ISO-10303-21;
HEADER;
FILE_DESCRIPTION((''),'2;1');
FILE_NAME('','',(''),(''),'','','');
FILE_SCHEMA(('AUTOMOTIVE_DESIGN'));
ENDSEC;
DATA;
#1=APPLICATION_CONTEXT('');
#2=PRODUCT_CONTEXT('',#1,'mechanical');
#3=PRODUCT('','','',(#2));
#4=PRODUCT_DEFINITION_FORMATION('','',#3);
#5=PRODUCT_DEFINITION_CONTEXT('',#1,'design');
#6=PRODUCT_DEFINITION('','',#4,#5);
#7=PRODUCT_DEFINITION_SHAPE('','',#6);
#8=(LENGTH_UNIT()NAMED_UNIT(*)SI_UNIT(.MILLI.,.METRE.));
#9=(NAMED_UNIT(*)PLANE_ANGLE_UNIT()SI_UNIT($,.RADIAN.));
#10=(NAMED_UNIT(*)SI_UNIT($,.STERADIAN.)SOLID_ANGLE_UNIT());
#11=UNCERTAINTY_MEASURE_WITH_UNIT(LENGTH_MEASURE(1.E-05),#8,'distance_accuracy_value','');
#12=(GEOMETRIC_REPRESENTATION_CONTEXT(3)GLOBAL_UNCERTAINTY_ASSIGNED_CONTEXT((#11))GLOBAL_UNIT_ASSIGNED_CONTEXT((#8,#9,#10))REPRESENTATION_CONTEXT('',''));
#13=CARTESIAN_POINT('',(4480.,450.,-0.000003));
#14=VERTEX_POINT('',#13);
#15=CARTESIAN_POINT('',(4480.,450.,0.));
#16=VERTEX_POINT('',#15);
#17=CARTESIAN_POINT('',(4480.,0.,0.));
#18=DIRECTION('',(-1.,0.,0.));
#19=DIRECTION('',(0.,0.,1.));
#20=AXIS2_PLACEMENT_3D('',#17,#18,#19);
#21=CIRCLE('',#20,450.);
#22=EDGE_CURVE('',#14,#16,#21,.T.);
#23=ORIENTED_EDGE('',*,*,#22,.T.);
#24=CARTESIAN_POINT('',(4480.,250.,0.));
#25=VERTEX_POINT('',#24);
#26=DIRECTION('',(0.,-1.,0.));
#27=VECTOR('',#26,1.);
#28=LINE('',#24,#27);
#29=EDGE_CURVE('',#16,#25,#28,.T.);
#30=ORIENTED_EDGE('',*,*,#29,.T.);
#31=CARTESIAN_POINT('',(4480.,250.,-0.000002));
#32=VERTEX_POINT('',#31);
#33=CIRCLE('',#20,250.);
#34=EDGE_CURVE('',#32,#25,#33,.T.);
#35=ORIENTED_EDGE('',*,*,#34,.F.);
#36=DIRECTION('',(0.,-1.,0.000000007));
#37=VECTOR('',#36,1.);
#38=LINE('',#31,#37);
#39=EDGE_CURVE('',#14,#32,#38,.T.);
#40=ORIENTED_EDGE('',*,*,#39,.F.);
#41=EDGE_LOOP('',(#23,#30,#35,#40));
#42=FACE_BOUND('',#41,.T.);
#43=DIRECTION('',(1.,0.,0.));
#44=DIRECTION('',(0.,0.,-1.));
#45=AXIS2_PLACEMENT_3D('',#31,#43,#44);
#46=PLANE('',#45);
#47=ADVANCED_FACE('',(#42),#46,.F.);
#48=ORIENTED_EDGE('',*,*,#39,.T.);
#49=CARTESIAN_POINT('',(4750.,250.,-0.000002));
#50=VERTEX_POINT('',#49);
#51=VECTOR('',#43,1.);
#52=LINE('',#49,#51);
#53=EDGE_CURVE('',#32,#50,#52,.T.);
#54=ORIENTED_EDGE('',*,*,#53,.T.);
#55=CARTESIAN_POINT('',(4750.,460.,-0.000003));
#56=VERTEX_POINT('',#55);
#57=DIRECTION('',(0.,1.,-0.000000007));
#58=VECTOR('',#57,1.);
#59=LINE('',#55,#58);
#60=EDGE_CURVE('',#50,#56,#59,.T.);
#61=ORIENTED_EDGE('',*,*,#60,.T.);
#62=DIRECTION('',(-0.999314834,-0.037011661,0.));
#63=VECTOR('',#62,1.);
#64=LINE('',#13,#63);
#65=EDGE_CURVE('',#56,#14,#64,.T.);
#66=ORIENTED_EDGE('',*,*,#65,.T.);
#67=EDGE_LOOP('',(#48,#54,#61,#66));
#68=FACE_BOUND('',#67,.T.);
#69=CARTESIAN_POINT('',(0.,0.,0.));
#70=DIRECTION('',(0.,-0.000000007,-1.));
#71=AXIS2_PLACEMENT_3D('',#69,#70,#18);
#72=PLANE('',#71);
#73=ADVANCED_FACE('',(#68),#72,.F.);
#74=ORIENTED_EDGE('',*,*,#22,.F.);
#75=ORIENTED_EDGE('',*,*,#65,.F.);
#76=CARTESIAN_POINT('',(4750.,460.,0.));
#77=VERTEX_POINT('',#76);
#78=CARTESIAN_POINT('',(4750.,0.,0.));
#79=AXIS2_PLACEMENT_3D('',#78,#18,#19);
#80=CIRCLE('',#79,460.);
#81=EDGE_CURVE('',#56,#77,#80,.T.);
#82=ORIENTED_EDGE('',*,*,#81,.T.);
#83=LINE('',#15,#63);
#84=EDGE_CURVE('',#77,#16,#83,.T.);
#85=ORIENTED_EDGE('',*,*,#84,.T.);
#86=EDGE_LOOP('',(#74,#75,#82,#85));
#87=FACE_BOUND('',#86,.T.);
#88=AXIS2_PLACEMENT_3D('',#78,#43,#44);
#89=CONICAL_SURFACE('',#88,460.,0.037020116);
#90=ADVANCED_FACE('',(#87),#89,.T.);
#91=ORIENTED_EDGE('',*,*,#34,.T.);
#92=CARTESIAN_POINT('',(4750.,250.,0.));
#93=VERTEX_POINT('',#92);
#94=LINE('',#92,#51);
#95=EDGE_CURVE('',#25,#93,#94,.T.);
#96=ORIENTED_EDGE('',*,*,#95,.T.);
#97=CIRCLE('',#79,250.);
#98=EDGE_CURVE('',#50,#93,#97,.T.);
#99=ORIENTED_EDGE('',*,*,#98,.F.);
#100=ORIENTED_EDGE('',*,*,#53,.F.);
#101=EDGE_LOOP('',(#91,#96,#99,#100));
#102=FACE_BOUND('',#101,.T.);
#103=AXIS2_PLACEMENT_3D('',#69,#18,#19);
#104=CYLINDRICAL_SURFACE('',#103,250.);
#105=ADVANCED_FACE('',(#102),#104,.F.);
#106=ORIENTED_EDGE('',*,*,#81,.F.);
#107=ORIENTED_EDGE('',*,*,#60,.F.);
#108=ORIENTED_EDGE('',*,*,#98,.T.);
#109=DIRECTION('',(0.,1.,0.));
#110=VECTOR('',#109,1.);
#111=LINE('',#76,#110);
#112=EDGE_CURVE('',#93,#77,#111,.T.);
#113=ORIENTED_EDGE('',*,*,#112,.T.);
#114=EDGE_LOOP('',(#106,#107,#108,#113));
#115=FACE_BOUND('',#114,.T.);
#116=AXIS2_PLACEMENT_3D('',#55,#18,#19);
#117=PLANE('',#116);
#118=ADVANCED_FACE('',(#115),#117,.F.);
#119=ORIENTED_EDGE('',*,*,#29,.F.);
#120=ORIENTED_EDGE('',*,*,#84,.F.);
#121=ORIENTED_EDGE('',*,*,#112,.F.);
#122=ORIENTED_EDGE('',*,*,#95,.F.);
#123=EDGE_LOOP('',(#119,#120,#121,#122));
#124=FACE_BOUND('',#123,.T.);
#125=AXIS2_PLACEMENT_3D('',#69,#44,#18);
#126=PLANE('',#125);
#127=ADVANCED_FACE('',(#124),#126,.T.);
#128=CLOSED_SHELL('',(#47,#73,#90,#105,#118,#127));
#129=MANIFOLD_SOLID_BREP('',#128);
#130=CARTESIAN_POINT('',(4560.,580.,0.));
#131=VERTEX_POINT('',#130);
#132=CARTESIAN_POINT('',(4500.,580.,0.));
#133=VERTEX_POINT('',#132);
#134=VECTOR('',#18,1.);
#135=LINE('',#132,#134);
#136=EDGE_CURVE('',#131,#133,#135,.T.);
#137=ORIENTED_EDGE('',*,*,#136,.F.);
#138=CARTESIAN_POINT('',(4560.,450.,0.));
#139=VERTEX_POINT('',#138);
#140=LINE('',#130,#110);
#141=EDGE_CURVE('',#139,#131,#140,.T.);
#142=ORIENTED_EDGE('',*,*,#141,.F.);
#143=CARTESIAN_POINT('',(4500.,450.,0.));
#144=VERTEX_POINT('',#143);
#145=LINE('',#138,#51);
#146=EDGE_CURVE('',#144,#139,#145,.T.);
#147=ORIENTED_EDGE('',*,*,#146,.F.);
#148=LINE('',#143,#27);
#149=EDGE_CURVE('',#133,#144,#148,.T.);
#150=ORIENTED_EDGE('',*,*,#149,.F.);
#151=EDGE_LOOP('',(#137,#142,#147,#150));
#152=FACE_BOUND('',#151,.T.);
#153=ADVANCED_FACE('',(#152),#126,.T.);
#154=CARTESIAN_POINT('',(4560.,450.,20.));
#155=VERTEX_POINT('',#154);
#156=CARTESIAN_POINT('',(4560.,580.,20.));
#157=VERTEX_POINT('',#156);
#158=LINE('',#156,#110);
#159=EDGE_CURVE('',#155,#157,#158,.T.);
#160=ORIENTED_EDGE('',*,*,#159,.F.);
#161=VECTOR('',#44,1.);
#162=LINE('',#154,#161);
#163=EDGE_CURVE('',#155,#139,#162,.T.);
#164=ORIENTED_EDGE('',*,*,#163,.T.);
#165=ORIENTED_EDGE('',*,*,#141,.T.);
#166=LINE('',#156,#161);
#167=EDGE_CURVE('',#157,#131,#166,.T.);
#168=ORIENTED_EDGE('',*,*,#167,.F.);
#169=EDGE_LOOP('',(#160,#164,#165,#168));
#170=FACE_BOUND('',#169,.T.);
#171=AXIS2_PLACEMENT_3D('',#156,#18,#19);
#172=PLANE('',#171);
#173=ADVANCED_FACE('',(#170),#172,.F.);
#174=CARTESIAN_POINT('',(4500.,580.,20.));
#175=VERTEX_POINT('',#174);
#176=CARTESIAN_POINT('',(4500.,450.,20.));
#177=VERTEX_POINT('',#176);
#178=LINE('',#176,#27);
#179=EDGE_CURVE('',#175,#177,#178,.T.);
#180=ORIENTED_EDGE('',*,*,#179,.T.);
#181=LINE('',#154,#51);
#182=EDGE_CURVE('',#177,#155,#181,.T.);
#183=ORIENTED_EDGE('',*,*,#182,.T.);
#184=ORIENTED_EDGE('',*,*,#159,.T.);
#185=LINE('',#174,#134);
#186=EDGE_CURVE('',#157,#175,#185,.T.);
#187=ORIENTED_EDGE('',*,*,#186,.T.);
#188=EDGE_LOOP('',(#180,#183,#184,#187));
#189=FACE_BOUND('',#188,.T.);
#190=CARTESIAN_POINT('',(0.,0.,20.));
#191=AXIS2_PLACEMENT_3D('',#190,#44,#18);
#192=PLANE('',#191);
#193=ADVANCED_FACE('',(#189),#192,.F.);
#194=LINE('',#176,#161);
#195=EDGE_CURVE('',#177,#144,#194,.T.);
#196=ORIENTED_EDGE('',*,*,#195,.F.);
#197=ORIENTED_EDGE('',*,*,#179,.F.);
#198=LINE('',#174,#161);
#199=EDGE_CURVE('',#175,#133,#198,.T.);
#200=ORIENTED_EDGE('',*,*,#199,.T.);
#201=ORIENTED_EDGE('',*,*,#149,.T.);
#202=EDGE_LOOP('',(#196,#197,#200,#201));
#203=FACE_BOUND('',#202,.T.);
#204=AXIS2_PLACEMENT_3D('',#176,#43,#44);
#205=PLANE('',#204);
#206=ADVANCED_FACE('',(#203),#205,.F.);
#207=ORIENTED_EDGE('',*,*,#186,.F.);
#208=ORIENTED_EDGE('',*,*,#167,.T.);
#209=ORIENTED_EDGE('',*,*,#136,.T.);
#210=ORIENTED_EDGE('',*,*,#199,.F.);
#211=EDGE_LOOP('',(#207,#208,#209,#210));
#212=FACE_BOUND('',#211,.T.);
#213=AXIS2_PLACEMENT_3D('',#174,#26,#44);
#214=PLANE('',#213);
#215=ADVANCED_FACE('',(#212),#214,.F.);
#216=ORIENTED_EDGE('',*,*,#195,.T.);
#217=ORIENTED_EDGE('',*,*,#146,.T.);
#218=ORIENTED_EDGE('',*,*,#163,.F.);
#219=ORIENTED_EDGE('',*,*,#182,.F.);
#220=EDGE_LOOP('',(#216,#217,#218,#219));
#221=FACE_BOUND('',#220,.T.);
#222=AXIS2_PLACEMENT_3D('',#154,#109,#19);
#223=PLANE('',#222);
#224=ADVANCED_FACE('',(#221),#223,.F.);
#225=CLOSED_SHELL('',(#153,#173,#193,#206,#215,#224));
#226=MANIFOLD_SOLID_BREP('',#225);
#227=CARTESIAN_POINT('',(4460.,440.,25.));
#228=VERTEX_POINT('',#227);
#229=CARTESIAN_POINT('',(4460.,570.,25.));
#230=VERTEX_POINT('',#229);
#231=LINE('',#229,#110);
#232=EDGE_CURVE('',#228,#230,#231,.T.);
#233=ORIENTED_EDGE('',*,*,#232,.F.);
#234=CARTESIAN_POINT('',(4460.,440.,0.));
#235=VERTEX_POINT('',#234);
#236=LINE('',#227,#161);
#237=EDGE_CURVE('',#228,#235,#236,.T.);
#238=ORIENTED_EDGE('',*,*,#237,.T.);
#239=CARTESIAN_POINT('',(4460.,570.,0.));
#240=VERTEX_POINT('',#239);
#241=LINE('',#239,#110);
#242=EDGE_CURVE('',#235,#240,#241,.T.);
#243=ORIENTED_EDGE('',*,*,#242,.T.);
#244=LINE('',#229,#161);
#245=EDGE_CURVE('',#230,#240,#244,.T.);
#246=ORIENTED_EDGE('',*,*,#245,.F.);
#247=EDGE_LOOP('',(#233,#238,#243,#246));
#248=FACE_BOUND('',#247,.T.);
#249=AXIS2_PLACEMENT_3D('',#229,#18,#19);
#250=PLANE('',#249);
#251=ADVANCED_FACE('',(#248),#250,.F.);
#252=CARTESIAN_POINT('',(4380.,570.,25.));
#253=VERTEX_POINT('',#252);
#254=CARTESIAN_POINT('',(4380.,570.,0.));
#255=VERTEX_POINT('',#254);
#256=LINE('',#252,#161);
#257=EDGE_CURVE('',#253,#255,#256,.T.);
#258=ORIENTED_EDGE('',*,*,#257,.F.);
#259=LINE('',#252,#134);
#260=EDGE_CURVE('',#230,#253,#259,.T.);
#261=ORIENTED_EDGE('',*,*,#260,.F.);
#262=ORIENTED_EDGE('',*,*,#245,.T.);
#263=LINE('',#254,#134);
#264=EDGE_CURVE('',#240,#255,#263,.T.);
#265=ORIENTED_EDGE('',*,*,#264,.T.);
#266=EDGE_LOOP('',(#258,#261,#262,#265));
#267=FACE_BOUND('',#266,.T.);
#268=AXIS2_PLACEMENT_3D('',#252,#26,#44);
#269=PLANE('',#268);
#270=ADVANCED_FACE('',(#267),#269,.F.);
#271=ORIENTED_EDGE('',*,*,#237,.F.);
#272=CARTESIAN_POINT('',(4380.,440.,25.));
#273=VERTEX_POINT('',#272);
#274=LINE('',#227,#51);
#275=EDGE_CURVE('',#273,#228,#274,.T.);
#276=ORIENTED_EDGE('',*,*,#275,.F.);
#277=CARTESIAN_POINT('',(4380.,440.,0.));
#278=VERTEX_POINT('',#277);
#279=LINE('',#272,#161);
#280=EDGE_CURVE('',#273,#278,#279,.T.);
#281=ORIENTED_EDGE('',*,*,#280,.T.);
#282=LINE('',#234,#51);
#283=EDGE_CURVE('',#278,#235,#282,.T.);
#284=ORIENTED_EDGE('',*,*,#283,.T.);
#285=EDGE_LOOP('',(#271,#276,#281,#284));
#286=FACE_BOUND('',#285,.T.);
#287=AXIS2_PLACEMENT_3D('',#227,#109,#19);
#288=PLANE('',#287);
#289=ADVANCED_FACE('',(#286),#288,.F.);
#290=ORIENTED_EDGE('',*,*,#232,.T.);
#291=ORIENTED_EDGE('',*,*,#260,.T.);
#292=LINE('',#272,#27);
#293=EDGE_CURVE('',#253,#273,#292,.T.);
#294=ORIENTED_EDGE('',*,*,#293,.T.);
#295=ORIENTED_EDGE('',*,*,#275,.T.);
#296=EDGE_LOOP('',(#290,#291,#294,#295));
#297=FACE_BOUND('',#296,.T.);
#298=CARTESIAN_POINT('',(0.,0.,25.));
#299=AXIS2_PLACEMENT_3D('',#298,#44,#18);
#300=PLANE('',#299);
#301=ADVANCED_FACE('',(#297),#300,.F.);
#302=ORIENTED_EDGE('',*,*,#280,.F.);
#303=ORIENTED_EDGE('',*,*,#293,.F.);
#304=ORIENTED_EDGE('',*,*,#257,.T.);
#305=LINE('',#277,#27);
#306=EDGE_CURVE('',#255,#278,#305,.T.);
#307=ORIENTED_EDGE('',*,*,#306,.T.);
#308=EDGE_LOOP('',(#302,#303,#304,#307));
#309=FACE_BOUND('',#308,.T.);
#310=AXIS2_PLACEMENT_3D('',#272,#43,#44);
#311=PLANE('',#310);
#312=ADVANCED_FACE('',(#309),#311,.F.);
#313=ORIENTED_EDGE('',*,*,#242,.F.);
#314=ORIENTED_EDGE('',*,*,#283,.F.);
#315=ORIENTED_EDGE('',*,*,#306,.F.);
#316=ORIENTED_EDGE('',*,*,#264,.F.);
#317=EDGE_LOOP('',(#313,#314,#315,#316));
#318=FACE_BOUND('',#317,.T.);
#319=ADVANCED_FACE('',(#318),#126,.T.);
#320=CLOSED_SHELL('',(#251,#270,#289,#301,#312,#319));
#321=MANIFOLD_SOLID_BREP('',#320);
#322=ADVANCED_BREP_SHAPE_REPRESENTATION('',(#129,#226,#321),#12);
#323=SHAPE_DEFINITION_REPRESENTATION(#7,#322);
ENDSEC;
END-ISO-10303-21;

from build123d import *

# Parameters (mm, degrees)
SKETCH1_W           = 80
SKETCH1_H           = 130
BOSS_EXTRUDE1_DEPTH = 25
REVOLVE1_ANGLE      = 359.999999589
SKETCH3_W           = 60
SKETCH3_H           = 130
BOSS_EXTRUDE2_DEPTH = 20


with BuildPart() as part:
    # Sketch1 → Boss-Extrude1 (new body)
    with BuildSketch(Plane.XY):
        with Locations((4420, 505)):
            Rectangle(SKETCH1_W, SKETCH1_H)
    extrude(amount=BOSS_EXTRUDE1_DEPTH)


with BuildPart() as body_2:
    # Sketch2 → Revolve1 (revolve)
    with BuildSketch(Plane.XY):
        Polygon((4480, 250), (4480, 450), (4750, 460), (4750, 250), align=None)
    revolve(axis=Axis((0, 0, 0), (1, 0, 0)), revolution_arc=REVOLVE1_ANGLE)


with BuildPart() as body_3:
    # Sketch3 → Boss-Extrude2 (new body)
    with BuildSketch(Plane.XY):
        with Locations((4530, 515)):
            Rectangle(SKETCH3_W, SKETCH3_H)
    extrude(amount=BOSS_EXTRUDE2_DEPTH)


solid = Compound([part.part, body_2.part, body_3.part])
